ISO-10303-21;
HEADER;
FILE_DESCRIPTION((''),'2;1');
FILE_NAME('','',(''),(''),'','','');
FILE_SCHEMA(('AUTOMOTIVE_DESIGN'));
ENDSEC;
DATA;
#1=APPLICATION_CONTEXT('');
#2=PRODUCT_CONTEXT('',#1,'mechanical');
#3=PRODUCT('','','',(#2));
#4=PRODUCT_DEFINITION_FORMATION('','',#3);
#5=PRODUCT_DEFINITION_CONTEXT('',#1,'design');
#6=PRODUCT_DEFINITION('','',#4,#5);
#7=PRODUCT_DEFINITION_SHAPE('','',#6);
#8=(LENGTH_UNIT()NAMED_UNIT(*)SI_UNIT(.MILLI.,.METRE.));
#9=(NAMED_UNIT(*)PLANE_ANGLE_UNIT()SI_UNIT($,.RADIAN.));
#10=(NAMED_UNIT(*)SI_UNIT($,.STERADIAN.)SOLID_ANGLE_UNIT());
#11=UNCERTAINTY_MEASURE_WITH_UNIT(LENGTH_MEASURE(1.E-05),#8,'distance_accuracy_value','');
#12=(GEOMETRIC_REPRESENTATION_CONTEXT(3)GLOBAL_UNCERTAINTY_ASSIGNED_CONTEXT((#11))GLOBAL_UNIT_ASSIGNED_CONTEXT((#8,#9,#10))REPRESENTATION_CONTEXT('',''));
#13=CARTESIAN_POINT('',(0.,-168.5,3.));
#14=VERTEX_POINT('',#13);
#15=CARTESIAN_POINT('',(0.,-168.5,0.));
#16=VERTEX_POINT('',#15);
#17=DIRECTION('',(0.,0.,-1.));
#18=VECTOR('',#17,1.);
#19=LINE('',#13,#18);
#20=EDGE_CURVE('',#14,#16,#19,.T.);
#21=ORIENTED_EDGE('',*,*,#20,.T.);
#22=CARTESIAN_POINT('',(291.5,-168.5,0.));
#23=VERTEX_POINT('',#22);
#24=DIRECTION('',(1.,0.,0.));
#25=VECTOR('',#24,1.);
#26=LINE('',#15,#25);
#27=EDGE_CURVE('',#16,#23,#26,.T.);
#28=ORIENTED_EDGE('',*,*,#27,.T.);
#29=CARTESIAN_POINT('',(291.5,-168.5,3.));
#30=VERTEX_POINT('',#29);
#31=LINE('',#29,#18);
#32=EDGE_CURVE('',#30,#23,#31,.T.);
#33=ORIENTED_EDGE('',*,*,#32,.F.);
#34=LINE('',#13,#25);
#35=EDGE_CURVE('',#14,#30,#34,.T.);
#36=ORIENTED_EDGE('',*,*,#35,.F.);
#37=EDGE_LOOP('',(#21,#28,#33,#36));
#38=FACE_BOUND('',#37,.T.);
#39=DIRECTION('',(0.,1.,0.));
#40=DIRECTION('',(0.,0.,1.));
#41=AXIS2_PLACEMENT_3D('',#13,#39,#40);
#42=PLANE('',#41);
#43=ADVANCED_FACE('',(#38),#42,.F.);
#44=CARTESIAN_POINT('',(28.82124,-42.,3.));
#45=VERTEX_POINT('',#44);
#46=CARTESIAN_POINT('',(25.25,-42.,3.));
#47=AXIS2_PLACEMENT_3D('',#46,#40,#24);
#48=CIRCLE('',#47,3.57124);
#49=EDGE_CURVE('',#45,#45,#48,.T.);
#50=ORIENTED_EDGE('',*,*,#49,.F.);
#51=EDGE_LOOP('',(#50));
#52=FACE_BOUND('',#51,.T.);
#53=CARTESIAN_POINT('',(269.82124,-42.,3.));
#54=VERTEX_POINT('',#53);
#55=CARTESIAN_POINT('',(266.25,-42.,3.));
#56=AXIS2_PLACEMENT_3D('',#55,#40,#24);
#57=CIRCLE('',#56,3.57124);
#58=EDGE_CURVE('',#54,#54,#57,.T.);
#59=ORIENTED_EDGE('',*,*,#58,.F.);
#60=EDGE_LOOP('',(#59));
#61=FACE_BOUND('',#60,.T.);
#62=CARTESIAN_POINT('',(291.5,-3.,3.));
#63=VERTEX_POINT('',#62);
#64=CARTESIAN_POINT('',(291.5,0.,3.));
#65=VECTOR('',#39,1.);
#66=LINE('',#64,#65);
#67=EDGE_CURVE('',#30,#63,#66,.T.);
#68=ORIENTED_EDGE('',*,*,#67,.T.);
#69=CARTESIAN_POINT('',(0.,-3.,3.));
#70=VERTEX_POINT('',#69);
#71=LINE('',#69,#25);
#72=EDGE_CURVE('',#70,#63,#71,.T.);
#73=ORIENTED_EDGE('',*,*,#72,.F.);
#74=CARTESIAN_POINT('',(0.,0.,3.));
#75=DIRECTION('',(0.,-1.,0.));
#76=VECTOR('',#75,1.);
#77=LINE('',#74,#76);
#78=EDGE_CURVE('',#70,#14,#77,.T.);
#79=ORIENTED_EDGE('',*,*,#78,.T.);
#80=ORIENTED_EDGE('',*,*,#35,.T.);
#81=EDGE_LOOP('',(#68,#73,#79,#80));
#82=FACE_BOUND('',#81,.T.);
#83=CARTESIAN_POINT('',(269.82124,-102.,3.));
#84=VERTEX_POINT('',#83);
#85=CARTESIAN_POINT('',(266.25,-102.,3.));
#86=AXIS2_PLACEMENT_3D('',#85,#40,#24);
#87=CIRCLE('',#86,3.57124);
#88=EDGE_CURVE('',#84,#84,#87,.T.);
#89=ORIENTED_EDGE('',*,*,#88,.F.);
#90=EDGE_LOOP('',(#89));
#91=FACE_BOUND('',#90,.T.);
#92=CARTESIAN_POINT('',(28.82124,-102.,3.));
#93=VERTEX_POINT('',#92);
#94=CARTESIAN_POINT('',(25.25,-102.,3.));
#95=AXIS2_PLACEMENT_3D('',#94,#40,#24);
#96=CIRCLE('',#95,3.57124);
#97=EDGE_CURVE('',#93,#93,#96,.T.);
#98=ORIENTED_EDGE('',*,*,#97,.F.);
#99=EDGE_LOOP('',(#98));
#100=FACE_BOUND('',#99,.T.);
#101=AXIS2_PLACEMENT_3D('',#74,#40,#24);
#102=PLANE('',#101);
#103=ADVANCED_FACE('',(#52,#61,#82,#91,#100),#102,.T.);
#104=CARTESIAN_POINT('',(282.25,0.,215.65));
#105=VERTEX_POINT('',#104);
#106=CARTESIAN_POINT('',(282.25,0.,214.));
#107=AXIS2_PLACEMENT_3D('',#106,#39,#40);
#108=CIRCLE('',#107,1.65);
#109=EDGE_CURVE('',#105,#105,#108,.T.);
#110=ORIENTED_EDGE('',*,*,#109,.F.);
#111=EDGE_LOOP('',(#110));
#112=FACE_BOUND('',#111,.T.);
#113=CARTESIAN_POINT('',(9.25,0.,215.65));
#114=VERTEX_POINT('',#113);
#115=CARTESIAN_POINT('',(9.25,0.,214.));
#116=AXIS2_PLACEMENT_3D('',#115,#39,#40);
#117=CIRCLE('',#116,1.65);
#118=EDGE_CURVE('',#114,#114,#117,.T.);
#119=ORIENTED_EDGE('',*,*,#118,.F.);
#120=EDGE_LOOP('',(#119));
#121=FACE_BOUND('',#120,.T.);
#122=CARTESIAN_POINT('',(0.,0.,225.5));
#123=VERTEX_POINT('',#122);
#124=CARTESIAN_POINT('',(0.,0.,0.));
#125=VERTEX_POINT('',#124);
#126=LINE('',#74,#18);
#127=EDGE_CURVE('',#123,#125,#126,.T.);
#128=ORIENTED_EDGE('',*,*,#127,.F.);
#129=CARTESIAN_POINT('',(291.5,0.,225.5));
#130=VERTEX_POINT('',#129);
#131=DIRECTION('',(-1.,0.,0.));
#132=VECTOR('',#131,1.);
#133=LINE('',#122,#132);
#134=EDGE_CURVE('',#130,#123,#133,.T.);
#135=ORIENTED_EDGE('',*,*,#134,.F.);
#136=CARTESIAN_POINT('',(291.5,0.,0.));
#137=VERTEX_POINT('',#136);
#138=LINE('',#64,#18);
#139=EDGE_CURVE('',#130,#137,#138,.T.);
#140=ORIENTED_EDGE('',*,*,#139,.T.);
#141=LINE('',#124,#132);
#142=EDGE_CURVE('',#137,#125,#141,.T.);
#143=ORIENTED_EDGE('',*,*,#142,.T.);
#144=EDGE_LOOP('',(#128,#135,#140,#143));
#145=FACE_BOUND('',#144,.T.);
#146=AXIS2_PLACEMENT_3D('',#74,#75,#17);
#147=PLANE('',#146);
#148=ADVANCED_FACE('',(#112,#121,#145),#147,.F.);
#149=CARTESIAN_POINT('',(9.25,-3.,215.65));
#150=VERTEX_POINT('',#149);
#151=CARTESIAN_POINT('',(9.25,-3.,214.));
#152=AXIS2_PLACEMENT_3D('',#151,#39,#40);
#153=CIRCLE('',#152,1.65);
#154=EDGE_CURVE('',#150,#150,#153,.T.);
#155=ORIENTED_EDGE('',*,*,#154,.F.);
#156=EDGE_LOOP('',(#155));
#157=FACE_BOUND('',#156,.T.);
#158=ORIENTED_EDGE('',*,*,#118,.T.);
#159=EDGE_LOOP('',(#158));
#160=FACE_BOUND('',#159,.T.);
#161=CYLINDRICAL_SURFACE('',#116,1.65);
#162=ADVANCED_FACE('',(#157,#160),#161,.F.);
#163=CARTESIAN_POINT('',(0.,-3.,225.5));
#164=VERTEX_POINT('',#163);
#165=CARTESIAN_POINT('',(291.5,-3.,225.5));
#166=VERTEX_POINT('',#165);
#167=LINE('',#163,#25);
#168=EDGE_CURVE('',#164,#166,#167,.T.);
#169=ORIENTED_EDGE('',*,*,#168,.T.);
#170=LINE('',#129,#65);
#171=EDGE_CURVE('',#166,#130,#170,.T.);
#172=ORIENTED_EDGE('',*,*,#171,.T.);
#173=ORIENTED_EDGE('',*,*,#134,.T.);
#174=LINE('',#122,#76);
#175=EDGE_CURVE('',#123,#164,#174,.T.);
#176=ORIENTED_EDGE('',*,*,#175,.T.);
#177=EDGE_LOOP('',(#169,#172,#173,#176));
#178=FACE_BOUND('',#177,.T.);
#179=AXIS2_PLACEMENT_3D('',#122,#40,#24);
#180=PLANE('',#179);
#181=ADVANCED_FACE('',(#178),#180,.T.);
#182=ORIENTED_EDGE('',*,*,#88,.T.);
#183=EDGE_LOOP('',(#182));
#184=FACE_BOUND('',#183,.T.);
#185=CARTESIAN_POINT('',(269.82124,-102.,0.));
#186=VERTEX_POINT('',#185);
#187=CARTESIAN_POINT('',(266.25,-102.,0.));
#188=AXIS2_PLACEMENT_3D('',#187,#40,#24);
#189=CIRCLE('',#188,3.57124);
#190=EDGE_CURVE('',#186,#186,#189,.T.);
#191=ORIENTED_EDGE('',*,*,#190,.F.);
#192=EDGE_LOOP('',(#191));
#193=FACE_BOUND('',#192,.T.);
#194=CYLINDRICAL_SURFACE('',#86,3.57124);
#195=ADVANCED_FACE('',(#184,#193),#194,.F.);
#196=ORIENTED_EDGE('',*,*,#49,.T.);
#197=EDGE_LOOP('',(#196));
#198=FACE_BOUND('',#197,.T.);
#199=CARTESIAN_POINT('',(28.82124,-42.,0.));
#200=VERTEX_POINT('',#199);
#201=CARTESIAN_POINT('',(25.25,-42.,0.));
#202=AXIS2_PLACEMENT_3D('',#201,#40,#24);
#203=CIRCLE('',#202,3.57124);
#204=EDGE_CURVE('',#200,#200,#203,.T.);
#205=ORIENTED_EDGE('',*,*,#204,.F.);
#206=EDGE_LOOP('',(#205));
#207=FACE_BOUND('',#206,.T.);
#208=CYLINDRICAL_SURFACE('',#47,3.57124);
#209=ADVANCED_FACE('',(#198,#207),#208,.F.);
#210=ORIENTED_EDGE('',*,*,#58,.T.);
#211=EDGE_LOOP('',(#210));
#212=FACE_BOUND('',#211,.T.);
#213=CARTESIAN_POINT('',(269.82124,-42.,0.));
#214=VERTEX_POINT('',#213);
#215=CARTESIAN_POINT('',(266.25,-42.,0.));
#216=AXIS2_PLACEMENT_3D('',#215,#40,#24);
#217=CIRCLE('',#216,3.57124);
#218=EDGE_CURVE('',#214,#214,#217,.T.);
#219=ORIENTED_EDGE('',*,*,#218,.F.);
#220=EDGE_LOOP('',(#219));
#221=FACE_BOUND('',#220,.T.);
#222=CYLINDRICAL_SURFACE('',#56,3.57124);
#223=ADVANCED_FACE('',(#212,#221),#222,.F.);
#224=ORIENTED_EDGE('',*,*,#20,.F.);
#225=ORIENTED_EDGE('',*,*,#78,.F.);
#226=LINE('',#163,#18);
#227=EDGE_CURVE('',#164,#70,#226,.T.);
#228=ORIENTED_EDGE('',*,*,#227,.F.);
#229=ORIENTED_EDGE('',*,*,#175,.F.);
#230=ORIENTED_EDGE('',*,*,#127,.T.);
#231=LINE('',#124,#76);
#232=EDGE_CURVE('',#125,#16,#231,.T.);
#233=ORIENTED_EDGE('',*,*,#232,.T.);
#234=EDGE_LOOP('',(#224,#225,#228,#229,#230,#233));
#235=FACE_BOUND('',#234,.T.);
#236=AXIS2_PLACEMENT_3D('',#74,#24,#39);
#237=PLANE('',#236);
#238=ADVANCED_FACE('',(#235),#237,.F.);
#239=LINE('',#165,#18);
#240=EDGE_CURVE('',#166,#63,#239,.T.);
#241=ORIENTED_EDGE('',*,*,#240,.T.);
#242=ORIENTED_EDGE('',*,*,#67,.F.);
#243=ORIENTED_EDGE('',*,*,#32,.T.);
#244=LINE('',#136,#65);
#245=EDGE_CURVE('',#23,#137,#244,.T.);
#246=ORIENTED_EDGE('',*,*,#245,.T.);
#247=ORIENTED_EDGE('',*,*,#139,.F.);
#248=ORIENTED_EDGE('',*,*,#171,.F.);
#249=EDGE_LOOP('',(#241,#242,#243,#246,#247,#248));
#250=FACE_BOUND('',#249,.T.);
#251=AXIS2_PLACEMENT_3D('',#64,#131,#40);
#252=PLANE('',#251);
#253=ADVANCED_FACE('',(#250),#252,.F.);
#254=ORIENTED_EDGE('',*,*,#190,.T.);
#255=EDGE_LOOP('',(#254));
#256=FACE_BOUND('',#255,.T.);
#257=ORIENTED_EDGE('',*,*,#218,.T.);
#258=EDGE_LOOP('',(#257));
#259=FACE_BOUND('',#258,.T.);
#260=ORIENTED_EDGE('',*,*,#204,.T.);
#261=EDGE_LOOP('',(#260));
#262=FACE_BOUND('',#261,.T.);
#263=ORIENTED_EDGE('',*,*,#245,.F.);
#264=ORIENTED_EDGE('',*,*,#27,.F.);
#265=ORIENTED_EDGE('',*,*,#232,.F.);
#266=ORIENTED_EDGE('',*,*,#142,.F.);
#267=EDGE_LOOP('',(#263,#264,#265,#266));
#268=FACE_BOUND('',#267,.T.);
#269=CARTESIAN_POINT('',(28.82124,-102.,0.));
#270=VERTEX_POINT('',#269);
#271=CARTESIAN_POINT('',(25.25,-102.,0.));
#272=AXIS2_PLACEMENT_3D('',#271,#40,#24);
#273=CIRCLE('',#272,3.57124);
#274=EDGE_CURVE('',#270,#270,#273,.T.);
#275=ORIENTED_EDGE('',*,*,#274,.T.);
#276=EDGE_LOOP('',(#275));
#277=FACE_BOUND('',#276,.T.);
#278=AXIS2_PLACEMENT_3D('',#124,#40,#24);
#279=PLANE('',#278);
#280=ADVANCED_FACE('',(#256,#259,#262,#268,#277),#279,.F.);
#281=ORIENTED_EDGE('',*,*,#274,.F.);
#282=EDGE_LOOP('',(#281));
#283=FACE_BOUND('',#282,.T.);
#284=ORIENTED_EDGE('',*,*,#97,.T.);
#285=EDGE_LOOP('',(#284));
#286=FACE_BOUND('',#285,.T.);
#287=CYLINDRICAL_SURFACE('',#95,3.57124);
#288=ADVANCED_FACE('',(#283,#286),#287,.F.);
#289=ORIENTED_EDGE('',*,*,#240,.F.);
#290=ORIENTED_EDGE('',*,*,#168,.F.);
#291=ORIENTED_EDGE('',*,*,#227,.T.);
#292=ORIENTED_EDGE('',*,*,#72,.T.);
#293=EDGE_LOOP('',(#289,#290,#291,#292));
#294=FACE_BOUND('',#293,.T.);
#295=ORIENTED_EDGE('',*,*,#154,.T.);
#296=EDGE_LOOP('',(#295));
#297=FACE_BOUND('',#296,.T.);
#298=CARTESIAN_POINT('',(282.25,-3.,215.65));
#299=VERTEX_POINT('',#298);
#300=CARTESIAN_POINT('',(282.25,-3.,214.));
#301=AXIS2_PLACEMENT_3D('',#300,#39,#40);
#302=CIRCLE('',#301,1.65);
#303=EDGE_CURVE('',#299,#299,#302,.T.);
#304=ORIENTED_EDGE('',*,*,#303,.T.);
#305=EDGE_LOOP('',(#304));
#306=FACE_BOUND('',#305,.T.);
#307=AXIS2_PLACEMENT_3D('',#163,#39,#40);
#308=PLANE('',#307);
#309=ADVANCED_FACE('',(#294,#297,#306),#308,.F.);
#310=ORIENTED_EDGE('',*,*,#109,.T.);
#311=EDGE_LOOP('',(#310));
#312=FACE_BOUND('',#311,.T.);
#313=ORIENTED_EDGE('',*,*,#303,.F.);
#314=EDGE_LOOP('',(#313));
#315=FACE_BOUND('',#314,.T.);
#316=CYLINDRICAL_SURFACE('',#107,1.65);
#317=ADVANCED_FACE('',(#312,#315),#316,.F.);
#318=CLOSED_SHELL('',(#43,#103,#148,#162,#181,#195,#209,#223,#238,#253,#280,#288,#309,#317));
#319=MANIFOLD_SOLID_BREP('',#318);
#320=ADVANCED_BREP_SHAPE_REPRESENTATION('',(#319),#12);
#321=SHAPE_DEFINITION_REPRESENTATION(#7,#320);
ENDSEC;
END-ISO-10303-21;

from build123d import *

# Parameters (mm, degrees)
SKETCH1_W               = 291.5
SKETCH1_H               = 168.5
BOSS_EXTRUDE1_DEPTH     = 3
F_1_4_CLEARANCE_HOLE1_D = 7.14248
SKETCH6_W               = 291.5
SKETCH6_H               = 3
BOSS_EXTRUDE2_DEPTH     = 222.5
TAP_DRILL_FOR_M4_TAP2_D = 3.3


with BuildPart() as part:
    # Sketch1 → Boss-Extrude1 (new body)
    with BuildSketch(Plane.XY):
        with Locations((145.75, -84.25)):
            Rectangle(SKETCH1_W, SKETCH1_H)
    extrude(amount=BOSS_EXTRUDE1_DEPTH)

    # 1/4 Clearance Hole1 (through all)
    with Locations(Plane.XY.offset(3)):
        with Locations((25.25, -102), (25.25, -42), (266.25, -42), (266.25, -102)):
            Hole(F_1_4_CLEARANCE_HOLE1_D / 2)

    # Sketch6 → Boss-Extrude2 (add)
    with BuildSketch(Plane.XY.offset(3)):
        with Locations((145.75, -1.5)):
            Rectangle(SKETCH6_W, SKETCH6_H)
    extrude(amount=BOSS_EXTRUDE2_DEPTH)

    # Tap Drill for M4 Tap2 (through all)
    with Locations(Plane(origin=(0, 0, 0), x_dir=(1, 0, 0), z_dir=(0, 1, 0))):
        with Locations((9.25, -214), (282.25, -214)):
            Hole(TAP_DRILL_FOR_M4_TAP2_D / 2)


solid = part.part
